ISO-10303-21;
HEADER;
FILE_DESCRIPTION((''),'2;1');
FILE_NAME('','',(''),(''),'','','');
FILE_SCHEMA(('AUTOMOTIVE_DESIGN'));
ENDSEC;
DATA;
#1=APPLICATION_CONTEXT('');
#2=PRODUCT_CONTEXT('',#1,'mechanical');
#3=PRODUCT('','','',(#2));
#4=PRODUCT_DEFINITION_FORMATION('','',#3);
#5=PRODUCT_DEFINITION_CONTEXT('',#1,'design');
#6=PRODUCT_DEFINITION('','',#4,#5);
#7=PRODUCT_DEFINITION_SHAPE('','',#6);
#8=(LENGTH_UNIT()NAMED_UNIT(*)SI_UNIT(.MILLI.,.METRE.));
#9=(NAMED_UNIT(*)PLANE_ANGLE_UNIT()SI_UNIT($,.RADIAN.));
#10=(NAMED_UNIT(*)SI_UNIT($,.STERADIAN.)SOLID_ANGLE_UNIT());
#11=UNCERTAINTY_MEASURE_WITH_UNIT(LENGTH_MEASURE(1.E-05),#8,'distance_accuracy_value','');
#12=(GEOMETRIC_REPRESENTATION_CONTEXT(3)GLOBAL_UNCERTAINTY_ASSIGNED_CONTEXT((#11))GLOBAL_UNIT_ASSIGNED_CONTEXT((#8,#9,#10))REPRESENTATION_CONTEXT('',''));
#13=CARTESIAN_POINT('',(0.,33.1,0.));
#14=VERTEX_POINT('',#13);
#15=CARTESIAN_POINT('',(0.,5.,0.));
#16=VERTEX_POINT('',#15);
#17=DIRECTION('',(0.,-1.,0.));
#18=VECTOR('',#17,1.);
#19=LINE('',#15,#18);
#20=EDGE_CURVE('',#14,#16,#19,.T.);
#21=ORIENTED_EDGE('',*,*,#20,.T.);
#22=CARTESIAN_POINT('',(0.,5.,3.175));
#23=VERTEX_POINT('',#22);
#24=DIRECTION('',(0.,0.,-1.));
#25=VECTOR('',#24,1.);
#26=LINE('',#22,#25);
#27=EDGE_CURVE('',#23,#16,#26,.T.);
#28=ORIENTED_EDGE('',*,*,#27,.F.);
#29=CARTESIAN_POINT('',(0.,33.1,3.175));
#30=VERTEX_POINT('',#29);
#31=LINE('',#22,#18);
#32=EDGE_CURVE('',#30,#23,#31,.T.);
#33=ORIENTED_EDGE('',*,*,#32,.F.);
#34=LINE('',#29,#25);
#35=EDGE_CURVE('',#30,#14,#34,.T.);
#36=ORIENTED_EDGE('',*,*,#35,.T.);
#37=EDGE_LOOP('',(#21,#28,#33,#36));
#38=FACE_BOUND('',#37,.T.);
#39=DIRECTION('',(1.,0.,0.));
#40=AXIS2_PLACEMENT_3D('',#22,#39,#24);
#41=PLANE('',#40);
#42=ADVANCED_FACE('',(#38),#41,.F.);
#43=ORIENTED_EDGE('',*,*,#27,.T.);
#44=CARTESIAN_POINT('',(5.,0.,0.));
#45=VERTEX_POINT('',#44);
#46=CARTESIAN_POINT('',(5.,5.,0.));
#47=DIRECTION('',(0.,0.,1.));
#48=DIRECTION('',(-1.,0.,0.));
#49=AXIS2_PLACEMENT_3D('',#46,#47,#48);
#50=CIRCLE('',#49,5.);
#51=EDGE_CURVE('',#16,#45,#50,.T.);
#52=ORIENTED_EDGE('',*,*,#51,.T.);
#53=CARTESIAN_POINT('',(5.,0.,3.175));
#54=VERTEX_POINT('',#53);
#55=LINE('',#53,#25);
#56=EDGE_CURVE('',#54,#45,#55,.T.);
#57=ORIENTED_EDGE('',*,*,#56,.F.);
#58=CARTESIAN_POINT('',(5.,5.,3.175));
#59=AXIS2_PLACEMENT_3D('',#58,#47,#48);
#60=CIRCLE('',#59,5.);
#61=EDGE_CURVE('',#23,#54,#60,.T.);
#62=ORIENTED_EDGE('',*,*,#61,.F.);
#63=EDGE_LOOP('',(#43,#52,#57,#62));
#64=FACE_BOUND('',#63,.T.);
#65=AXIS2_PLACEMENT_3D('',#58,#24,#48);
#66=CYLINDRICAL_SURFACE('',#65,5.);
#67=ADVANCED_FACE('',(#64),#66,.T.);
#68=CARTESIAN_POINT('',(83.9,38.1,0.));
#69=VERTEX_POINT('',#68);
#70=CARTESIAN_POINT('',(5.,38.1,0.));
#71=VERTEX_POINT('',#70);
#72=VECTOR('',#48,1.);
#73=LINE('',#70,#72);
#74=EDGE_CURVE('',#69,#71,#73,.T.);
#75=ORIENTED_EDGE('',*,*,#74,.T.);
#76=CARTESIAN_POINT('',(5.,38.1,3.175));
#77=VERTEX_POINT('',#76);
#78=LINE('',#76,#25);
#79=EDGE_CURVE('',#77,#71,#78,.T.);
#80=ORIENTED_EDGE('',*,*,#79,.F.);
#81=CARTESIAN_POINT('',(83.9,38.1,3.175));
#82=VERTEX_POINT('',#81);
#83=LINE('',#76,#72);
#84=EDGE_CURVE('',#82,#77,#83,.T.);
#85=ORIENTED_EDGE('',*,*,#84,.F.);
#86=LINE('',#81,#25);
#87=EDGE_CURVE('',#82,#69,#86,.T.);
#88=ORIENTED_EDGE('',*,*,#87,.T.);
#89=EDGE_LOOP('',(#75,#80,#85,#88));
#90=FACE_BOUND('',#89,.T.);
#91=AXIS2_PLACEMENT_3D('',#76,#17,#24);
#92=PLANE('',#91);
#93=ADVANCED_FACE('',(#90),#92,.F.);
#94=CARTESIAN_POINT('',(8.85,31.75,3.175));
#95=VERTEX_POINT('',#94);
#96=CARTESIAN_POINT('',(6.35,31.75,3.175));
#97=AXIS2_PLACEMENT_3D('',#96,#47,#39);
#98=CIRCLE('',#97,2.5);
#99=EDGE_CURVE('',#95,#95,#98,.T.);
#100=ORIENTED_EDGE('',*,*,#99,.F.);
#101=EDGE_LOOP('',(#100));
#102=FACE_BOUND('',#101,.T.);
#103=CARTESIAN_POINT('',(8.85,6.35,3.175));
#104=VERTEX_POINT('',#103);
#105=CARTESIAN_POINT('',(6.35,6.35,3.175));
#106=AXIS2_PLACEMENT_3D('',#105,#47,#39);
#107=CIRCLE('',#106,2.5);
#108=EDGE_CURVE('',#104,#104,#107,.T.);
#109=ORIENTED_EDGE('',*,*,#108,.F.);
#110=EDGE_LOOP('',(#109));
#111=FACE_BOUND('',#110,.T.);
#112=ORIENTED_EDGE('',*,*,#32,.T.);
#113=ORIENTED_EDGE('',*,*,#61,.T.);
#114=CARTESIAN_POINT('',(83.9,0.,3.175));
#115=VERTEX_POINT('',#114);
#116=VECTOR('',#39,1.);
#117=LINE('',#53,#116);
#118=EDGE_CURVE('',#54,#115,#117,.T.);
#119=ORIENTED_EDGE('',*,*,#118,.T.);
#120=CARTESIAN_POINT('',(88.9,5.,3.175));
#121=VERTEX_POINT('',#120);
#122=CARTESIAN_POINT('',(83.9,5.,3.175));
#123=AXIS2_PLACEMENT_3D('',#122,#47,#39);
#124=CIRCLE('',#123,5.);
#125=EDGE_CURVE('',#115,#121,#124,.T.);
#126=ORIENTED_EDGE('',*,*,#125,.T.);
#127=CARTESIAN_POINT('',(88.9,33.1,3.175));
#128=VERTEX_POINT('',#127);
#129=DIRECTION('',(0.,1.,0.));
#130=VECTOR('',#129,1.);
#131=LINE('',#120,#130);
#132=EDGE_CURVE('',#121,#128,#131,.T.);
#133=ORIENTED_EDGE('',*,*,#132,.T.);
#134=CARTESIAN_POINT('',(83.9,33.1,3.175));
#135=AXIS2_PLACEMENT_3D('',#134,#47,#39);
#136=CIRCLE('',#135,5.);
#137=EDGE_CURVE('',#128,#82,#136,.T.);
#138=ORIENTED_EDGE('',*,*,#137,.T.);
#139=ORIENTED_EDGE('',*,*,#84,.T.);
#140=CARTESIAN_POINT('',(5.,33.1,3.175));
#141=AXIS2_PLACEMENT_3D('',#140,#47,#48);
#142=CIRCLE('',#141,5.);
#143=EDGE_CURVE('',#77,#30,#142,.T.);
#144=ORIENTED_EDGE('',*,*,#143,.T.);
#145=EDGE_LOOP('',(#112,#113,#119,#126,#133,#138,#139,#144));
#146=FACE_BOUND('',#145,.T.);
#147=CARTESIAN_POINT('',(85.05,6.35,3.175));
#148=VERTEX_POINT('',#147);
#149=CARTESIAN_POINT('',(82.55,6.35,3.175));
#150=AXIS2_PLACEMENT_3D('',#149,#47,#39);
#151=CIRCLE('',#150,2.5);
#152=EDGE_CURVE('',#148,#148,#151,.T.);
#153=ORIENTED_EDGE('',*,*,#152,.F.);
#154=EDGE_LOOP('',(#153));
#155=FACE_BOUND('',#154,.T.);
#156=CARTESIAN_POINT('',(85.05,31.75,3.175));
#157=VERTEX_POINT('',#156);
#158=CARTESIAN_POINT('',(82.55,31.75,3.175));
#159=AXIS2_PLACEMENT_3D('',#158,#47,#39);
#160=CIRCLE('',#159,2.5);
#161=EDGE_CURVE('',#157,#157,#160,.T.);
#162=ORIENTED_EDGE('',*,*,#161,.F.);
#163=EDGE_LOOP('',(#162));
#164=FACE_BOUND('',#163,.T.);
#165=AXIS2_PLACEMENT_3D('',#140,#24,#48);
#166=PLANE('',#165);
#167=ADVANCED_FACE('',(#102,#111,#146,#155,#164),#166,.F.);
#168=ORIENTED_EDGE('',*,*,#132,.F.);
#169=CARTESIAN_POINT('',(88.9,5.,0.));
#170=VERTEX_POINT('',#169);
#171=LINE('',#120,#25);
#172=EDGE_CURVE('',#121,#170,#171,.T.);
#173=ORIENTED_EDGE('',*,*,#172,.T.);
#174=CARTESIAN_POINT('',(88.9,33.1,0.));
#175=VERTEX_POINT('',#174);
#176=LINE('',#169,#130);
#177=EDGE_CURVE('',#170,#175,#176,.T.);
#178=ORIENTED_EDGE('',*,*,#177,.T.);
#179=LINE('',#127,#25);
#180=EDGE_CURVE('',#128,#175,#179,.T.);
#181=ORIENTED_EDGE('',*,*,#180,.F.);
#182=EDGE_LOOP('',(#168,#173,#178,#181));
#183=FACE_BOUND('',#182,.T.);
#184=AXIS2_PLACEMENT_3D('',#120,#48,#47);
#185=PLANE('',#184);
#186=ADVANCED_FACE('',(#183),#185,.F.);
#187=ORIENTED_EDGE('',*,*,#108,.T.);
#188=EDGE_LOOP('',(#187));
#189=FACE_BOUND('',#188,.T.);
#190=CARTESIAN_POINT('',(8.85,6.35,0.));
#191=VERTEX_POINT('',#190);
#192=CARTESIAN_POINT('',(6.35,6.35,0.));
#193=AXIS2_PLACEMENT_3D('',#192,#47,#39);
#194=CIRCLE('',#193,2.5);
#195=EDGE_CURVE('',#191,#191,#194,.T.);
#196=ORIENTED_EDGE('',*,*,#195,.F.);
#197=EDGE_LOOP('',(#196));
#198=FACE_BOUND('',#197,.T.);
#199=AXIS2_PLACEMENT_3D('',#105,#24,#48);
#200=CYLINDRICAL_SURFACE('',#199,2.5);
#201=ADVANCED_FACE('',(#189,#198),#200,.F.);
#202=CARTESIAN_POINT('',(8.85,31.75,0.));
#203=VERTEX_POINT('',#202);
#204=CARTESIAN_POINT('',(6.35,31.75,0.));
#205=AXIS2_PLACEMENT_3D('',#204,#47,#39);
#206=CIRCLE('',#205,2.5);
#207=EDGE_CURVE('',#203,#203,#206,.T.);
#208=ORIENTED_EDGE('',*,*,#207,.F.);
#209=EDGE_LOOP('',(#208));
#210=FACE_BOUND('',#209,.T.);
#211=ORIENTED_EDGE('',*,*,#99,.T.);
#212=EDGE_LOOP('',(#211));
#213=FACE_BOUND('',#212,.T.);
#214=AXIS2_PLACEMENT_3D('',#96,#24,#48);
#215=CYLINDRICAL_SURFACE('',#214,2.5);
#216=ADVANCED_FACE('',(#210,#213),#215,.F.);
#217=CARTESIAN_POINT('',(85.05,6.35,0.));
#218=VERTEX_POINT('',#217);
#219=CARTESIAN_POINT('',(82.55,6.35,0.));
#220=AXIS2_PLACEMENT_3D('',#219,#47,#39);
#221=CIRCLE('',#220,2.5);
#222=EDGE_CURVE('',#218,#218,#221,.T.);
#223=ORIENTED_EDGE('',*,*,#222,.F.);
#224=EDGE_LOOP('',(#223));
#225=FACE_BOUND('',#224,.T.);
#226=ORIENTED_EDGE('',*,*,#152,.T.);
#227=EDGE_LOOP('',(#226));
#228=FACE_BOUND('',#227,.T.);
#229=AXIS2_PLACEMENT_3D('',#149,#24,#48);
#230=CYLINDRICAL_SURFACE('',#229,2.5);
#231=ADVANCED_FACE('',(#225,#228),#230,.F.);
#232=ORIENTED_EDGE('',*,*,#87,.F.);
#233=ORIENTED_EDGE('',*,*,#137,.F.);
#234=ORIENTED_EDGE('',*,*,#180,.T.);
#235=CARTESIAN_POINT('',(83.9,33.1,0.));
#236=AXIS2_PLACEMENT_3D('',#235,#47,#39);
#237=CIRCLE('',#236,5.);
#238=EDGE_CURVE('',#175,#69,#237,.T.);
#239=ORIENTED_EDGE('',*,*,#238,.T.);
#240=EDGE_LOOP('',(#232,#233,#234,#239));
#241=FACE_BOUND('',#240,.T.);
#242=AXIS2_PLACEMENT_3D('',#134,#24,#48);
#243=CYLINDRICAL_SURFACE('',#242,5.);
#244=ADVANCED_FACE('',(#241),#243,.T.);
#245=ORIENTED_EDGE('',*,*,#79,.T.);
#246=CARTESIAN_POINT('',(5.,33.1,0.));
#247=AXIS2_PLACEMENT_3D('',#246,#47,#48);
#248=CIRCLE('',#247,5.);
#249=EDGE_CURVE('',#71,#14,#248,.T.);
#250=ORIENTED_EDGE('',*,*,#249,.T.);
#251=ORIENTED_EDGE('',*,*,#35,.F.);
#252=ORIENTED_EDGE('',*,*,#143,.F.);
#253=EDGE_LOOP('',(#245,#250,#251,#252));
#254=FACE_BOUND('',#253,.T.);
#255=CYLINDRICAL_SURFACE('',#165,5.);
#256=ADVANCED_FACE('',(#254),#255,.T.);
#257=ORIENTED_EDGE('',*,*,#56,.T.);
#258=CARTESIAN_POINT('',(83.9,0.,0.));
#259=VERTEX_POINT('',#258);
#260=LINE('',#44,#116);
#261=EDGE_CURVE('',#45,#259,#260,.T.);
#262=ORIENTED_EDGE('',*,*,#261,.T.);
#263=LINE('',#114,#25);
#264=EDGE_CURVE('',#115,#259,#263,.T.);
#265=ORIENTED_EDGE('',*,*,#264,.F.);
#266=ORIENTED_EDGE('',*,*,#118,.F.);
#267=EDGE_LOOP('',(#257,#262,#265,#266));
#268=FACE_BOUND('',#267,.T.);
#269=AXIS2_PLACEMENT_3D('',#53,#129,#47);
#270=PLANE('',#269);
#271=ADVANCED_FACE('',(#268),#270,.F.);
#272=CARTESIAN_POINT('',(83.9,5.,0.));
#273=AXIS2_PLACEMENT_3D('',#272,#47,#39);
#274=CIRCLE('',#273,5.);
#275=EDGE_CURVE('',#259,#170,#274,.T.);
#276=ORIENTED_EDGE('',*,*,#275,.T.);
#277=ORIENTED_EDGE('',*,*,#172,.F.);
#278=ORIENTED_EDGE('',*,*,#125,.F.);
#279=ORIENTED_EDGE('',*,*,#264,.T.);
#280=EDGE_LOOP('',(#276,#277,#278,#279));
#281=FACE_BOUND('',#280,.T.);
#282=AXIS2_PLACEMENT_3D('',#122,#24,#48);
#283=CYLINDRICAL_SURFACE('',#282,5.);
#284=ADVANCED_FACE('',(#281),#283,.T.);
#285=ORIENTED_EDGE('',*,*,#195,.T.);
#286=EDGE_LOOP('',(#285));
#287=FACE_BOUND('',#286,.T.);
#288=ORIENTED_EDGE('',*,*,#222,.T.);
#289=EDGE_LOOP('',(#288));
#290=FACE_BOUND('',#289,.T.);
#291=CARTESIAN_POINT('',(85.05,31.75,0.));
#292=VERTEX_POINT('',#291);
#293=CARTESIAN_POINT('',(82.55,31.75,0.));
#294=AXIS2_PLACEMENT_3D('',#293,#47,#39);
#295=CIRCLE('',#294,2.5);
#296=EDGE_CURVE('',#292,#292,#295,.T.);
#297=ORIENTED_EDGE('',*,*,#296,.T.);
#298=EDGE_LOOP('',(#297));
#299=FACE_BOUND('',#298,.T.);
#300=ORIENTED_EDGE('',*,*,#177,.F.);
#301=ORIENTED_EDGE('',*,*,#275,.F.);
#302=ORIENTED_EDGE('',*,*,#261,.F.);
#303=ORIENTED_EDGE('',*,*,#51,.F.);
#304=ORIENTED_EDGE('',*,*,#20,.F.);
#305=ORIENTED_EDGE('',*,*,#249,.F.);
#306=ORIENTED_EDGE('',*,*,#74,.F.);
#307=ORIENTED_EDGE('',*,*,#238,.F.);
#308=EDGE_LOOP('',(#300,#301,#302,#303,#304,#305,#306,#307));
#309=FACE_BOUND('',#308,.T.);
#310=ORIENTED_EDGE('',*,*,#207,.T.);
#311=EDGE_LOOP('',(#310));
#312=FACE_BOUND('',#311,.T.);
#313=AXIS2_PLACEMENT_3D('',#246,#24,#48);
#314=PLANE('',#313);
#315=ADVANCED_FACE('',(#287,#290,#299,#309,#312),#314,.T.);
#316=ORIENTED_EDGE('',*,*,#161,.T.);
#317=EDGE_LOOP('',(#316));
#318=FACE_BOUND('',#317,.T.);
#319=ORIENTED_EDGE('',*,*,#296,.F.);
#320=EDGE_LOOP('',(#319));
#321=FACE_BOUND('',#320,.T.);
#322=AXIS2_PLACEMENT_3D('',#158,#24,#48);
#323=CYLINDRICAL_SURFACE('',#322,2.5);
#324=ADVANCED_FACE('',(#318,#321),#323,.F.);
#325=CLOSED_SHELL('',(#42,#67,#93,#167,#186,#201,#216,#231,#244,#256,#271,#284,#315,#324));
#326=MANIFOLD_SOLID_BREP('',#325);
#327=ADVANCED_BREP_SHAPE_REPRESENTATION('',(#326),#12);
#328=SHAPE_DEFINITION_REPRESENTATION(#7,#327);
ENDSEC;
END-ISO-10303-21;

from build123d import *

# Parameters (mm, degrees)
SKETCH1_R           = 2.5
BOSS_EXTRUDE1_DEPTH = 3.175


with BuildPart() as part:
    # Sketch1 → Boss-Extrude1 (new body)
    with BuildSketch(Plane.XY):
        with BuildLine():
            Line((5, 0), (83.9, 0))
            ThreePointArc((83.9, 0), (87.435533906, 1.464466094), (88.9, 5))
            Line((88.9, 5), (88.9, 33.1))
            ThreePointArc((88.9, 33.1), (87.435533906, 36.635533906), (83.9, 38.1))
            Line((83.9, 38.1), (5, 38.1))
            ThreePointArc((5, 38.1), (1.464466094, 36.635533906), (0, 33.1))
            Line((0, 33.1), (0, 5))
            ThreePointArc((0, 5), (1.464466094, 1.464466094), (5, 0))
        make_face()
        with Locations((6.35, 31.75)):
            Circle(SKETCH1_R, mode=Mode.SUBTRACT)
        with Locations((82.55, 31.75)):
            Circle(SKETCH1_R, mode=Mode.SUBTRACT)
        with Locations((82.55, 6.35)):
            Circle(SKETCH1_R, mode=Mode.SUBTRACT)
        with Locations((6.35, 6.35)):
            Circle(SKETCH1_R, mode=Mode.SUBTRACT)
    extrude(amount=BOSS_EXTRUDE1_DEPTH)


solid = part.part
